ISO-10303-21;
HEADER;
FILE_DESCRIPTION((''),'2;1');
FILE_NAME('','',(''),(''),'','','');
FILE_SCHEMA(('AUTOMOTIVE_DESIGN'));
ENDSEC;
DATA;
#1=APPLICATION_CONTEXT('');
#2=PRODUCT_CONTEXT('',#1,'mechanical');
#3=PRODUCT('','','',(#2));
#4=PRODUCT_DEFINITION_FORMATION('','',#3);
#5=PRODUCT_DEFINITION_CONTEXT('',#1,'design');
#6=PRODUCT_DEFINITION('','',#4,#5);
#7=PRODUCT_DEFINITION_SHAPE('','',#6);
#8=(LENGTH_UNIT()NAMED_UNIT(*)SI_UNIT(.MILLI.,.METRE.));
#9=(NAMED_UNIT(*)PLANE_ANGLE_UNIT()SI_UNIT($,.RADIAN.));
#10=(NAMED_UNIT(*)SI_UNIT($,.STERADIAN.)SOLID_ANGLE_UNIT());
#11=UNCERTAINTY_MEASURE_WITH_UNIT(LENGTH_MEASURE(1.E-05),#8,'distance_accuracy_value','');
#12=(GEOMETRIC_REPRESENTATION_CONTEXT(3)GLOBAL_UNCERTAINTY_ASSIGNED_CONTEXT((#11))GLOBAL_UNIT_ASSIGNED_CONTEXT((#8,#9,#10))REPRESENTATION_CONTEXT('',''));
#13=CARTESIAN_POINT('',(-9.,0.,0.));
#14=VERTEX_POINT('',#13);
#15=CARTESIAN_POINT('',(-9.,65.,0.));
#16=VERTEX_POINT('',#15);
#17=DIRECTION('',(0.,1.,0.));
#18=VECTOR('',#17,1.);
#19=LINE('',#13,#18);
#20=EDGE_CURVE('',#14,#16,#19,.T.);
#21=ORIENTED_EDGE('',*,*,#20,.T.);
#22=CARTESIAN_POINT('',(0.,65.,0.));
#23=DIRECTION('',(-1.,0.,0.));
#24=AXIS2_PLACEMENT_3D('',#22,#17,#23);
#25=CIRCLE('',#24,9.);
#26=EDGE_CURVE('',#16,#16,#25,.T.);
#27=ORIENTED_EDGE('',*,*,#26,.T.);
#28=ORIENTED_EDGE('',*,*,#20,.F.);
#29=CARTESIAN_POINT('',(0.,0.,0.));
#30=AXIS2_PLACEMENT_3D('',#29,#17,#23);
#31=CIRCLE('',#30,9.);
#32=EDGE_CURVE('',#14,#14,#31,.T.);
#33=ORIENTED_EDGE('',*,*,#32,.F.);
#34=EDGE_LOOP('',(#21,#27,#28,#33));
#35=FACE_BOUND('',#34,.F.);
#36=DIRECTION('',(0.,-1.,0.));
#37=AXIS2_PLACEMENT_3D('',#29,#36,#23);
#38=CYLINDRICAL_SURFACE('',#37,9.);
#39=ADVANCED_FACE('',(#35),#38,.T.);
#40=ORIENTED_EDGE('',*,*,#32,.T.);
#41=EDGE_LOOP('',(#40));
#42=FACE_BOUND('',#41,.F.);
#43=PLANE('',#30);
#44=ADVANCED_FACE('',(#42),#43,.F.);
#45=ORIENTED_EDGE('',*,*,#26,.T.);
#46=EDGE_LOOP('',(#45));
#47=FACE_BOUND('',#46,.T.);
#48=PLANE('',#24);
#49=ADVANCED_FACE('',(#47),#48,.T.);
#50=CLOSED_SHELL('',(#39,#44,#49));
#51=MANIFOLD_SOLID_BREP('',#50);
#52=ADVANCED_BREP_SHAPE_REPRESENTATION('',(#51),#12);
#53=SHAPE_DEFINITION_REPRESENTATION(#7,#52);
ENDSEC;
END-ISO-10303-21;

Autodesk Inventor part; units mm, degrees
ref_plane "YZ Plane" through (0, 0, 0) normal (1, 0, 0) x (0, 1, 0)
ref_plane "XZ Plane" through (0, 0, 0) normal (0, 1, 0) x (-1, 0, 0)
ref_plane "XY Plane" through (0, 0, 0) normal (0, 0, 1) x (1, 0, 0)
sketch "Эскиз1" plane through (0, 0, 0) normal (0, 1, 0) x (-1, 0, 0)
  circle A0 centre (0, 0) radius 9
  dimension "d0" = 18
extrude "Выдавливание1" add sketch "Эскиз1" along normal blind 65
properties part number "18650"
